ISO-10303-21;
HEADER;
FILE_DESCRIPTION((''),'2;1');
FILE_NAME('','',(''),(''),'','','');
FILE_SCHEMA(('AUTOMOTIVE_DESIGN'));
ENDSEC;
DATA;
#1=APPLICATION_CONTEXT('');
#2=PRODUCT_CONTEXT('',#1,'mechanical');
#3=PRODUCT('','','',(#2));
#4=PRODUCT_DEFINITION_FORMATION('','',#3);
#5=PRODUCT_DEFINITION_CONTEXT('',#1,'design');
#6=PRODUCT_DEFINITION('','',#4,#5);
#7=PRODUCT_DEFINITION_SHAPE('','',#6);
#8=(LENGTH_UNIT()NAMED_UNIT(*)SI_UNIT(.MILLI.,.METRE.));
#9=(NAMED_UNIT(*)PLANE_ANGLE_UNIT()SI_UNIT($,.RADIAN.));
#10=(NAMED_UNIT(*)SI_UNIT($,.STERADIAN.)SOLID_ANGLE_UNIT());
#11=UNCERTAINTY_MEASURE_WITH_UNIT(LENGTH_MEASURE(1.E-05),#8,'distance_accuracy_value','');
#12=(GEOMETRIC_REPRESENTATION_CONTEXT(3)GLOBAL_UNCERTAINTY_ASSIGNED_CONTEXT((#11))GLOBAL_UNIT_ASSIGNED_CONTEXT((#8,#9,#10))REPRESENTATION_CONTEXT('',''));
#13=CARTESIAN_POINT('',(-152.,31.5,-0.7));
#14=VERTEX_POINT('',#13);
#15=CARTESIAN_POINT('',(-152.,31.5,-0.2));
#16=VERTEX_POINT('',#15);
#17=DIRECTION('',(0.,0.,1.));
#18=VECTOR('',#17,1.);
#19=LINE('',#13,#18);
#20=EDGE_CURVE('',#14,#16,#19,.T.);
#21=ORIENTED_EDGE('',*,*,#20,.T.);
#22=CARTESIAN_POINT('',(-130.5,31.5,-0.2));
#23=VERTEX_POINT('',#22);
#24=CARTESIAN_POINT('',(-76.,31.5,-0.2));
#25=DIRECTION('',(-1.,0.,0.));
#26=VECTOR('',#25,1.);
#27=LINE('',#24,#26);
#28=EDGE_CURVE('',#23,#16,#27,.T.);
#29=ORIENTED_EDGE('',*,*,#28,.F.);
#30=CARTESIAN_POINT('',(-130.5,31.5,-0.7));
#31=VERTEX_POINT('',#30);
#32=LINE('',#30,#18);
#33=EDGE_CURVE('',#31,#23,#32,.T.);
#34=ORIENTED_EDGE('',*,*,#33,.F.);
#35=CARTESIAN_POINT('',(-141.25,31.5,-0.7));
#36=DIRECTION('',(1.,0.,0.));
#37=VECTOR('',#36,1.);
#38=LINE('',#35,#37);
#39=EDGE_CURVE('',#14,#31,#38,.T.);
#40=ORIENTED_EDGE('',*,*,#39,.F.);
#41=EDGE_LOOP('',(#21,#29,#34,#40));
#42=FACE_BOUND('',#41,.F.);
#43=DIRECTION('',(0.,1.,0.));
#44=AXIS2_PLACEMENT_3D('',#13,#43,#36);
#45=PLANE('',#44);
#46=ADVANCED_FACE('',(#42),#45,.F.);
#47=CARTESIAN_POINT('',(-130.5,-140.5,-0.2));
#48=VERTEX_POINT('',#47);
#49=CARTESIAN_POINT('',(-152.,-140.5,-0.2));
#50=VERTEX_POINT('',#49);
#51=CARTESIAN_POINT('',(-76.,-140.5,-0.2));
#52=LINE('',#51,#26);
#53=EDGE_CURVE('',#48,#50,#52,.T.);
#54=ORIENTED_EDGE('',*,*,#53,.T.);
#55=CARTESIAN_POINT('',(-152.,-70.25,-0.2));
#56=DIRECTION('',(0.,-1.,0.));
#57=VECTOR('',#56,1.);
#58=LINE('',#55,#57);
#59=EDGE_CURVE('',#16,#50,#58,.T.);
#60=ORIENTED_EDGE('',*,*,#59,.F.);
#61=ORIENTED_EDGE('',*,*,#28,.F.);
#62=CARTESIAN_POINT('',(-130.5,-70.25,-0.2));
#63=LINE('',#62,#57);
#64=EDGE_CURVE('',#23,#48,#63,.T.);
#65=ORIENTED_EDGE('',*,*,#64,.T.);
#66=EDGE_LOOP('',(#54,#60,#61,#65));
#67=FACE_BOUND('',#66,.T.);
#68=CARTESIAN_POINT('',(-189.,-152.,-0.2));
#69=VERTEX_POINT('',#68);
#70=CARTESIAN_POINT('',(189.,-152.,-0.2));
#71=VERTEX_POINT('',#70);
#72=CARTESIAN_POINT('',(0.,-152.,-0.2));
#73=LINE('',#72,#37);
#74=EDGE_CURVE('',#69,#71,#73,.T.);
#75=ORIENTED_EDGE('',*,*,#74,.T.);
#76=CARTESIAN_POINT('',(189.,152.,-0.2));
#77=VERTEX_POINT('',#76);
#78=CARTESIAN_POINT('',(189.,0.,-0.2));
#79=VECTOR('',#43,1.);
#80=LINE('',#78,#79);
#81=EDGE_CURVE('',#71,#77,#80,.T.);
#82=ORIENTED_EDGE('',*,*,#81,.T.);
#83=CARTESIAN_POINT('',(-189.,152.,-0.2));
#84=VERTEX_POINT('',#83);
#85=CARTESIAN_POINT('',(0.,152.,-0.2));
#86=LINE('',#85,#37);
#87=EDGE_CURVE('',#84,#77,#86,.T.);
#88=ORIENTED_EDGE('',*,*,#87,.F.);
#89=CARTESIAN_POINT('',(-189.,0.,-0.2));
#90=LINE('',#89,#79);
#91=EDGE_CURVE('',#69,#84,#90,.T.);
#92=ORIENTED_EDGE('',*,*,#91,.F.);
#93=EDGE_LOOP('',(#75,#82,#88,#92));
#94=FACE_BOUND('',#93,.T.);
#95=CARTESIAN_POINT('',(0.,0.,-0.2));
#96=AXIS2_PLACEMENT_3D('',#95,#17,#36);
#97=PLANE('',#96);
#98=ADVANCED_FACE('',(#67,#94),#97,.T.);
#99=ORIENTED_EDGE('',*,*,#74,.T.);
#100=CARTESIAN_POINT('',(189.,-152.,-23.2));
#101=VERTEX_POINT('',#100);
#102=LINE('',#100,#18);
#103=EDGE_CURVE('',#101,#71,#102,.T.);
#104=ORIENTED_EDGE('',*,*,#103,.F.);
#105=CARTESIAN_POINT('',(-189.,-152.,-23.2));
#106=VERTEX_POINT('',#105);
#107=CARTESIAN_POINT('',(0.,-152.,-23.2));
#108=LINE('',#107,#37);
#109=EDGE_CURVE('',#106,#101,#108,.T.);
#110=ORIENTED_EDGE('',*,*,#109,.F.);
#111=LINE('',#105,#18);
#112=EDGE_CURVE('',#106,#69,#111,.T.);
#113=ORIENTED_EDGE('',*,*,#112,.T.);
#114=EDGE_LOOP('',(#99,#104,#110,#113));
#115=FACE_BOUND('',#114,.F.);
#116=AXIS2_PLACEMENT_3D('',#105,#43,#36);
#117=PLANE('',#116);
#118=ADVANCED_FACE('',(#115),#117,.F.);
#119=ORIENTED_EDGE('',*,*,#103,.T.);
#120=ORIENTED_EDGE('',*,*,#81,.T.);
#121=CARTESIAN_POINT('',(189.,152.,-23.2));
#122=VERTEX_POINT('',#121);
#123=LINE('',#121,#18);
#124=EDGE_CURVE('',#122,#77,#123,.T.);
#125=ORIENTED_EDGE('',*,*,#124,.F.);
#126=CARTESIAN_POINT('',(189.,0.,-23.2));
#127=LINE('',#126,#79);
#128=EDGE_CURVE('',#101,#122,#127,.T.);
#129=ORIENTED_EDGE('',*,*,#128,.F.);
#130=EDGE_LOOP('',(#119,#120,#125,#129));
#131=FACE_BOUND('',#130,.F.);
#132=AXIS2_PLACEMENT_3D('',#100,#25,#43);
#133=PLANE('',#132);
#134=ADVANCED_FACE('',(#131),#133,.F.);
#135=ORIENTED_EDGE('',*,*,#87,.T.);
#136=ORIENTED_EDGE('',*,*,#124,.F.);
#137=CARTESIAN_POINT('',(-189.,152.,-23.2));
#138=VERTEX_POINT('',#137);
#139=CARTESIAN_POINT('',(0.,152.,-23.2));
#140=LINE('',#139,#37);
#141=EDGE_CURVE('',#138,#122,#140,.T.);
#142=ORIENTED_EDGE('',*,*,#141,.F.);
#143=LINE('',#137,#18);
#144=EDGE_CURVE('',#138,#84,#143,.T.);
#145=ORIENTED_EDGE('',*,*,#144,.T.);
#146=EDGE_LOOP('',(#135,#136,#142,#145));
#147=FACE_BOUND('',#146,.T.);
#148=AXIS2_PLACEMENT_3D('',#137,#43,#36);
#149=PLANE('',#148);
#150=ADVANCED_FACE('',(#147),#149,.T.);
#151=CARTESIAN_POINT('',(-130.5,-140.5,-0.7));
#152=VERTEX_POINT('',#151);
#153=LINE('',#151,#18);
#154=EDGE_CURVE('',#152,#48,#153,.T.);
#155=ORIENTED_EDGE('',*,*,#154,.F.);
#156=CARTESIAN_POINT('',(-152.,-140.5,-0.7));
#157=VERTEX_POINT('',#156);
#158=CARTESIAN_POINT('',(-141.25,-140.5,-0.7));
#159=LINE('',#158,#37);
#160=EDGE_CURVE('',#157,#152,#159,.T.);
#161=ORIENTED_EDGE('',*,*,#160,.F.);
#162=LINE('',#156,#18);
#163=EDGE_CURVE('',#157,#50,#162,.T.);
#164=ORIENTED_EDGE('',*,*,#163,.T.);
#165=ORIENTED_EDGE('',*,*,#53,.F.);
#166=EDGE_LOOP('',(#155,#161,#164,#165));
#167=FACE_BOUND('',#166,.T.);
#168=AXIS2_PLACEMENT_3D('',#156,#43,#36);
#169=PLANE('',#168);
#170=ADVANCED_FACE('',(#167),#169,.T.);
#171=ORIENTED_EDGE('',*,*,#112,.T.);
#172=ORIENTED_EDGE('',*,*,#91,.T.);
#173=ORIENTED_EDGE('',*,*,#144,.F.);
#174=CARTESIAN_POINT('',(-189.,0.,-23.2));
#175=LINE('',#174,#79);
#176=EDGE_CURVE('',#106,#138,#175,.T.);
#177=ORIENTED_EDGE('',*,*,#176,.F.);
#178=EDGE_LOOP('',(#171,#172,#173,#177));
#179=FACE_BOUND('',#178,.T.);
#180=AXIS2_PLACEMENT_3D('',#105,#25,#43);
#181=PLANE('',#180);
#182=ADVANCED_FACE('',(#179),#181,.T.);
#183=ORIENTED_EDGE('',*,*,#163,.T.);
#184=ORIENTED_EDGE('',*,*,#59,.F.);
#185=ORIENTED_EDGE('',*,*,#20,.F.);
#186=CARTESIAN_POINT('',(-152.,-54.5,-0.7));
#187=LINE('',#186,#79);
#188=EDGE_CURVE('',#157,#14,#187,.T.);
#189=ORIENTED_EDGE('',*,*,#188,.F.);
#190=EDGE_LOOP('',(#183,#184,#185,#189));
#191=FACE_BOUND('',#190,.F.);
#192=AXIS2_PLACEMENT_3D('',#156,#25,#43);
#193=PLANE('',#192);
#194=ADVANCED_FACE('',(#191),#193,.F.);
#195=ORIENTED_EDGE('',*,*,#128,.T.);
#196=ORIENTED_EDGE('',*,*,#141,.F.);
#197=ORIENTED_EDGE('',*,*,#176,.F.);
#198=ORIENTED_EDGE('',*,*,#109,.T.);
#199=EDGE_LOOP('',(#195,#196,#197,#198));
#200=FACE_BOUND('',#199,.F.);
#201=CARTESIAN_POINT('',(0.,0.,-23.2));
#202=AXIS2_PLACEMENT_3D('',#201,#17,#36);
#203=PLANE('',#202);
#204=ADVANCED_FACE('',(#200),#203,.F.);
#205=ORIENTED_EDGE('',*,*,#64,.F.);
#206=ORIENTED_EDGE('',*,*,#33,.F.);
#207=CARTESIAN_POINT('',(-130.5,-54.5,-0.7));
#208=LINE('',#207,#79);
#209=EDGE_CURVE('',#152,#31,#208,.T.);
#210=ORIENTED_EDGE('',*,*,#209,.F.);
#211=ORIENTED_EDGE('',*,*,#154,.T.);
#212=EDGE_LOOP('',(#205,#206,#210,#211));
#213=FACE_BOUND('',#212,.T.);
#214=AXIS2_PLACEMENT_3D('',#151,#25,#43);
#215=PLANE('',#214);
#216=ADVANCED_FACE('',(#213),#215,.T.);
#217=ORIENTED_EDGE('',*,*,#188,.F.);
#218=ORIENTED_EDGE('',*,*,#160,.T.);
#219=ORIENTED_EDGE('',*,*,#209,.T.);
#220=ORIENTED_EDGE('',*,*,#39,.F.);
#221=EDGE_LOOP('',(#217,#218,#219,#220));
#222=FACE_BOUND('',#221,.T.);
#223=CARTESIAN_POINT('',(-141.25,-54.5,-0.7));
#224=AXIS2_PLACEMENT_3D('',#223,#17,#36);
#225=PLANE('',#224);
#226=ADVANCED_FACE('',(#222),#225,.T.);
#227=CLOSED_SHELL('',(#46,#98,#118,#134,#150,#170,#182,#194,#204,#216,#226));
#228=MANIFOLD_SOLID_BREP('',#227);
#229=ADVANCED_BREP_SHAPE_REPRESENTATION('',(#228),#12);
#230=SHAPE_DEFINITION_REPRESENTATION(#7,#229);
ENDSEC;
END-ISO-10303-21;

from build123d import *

# Parameters (mm, degrees)
BOX035_W     = 21.5
BOX035_H     = 172
BOX035_DEPTH = 1
BOX_W        = 378
BOX_H        = 304
BOX_DEPTH    = 23


with BuildPart() as cube035:
    # Box035 → Box035 (new body)
    with BuildSketch(Plane(origin=(-152, -140.5, -0.5), x_dir=(1, 0, 0), z_dir=(0, 0, 1))):
        with Locations((10.75, 86)):
            Rectangle(BOX035_W, BOX035_H)
    extrude(amount=BOX035_DEPTH)


with BuildPart() as thebox:
    # Box → Box (new body)
    with BuildSketch(Plane(origin=(-189, -152, -23), x_dir=(1, 0, 0), z_dir=(0, 0, 1))):
        with Locations((189, 152)):
            Rectangle(BOX_W, BOX_H)
    extrude(amount=BOX_DEPTH)

    # Cut: cut Cube035
    add(cube035.part, mode=Mode.SUBTRACT)


with BuildPart() as thebox_1:
    # Cut placement: moved
    add(thebox.part.moved(Location((0, 0, -0.2))))


solid = thebox_1.part
